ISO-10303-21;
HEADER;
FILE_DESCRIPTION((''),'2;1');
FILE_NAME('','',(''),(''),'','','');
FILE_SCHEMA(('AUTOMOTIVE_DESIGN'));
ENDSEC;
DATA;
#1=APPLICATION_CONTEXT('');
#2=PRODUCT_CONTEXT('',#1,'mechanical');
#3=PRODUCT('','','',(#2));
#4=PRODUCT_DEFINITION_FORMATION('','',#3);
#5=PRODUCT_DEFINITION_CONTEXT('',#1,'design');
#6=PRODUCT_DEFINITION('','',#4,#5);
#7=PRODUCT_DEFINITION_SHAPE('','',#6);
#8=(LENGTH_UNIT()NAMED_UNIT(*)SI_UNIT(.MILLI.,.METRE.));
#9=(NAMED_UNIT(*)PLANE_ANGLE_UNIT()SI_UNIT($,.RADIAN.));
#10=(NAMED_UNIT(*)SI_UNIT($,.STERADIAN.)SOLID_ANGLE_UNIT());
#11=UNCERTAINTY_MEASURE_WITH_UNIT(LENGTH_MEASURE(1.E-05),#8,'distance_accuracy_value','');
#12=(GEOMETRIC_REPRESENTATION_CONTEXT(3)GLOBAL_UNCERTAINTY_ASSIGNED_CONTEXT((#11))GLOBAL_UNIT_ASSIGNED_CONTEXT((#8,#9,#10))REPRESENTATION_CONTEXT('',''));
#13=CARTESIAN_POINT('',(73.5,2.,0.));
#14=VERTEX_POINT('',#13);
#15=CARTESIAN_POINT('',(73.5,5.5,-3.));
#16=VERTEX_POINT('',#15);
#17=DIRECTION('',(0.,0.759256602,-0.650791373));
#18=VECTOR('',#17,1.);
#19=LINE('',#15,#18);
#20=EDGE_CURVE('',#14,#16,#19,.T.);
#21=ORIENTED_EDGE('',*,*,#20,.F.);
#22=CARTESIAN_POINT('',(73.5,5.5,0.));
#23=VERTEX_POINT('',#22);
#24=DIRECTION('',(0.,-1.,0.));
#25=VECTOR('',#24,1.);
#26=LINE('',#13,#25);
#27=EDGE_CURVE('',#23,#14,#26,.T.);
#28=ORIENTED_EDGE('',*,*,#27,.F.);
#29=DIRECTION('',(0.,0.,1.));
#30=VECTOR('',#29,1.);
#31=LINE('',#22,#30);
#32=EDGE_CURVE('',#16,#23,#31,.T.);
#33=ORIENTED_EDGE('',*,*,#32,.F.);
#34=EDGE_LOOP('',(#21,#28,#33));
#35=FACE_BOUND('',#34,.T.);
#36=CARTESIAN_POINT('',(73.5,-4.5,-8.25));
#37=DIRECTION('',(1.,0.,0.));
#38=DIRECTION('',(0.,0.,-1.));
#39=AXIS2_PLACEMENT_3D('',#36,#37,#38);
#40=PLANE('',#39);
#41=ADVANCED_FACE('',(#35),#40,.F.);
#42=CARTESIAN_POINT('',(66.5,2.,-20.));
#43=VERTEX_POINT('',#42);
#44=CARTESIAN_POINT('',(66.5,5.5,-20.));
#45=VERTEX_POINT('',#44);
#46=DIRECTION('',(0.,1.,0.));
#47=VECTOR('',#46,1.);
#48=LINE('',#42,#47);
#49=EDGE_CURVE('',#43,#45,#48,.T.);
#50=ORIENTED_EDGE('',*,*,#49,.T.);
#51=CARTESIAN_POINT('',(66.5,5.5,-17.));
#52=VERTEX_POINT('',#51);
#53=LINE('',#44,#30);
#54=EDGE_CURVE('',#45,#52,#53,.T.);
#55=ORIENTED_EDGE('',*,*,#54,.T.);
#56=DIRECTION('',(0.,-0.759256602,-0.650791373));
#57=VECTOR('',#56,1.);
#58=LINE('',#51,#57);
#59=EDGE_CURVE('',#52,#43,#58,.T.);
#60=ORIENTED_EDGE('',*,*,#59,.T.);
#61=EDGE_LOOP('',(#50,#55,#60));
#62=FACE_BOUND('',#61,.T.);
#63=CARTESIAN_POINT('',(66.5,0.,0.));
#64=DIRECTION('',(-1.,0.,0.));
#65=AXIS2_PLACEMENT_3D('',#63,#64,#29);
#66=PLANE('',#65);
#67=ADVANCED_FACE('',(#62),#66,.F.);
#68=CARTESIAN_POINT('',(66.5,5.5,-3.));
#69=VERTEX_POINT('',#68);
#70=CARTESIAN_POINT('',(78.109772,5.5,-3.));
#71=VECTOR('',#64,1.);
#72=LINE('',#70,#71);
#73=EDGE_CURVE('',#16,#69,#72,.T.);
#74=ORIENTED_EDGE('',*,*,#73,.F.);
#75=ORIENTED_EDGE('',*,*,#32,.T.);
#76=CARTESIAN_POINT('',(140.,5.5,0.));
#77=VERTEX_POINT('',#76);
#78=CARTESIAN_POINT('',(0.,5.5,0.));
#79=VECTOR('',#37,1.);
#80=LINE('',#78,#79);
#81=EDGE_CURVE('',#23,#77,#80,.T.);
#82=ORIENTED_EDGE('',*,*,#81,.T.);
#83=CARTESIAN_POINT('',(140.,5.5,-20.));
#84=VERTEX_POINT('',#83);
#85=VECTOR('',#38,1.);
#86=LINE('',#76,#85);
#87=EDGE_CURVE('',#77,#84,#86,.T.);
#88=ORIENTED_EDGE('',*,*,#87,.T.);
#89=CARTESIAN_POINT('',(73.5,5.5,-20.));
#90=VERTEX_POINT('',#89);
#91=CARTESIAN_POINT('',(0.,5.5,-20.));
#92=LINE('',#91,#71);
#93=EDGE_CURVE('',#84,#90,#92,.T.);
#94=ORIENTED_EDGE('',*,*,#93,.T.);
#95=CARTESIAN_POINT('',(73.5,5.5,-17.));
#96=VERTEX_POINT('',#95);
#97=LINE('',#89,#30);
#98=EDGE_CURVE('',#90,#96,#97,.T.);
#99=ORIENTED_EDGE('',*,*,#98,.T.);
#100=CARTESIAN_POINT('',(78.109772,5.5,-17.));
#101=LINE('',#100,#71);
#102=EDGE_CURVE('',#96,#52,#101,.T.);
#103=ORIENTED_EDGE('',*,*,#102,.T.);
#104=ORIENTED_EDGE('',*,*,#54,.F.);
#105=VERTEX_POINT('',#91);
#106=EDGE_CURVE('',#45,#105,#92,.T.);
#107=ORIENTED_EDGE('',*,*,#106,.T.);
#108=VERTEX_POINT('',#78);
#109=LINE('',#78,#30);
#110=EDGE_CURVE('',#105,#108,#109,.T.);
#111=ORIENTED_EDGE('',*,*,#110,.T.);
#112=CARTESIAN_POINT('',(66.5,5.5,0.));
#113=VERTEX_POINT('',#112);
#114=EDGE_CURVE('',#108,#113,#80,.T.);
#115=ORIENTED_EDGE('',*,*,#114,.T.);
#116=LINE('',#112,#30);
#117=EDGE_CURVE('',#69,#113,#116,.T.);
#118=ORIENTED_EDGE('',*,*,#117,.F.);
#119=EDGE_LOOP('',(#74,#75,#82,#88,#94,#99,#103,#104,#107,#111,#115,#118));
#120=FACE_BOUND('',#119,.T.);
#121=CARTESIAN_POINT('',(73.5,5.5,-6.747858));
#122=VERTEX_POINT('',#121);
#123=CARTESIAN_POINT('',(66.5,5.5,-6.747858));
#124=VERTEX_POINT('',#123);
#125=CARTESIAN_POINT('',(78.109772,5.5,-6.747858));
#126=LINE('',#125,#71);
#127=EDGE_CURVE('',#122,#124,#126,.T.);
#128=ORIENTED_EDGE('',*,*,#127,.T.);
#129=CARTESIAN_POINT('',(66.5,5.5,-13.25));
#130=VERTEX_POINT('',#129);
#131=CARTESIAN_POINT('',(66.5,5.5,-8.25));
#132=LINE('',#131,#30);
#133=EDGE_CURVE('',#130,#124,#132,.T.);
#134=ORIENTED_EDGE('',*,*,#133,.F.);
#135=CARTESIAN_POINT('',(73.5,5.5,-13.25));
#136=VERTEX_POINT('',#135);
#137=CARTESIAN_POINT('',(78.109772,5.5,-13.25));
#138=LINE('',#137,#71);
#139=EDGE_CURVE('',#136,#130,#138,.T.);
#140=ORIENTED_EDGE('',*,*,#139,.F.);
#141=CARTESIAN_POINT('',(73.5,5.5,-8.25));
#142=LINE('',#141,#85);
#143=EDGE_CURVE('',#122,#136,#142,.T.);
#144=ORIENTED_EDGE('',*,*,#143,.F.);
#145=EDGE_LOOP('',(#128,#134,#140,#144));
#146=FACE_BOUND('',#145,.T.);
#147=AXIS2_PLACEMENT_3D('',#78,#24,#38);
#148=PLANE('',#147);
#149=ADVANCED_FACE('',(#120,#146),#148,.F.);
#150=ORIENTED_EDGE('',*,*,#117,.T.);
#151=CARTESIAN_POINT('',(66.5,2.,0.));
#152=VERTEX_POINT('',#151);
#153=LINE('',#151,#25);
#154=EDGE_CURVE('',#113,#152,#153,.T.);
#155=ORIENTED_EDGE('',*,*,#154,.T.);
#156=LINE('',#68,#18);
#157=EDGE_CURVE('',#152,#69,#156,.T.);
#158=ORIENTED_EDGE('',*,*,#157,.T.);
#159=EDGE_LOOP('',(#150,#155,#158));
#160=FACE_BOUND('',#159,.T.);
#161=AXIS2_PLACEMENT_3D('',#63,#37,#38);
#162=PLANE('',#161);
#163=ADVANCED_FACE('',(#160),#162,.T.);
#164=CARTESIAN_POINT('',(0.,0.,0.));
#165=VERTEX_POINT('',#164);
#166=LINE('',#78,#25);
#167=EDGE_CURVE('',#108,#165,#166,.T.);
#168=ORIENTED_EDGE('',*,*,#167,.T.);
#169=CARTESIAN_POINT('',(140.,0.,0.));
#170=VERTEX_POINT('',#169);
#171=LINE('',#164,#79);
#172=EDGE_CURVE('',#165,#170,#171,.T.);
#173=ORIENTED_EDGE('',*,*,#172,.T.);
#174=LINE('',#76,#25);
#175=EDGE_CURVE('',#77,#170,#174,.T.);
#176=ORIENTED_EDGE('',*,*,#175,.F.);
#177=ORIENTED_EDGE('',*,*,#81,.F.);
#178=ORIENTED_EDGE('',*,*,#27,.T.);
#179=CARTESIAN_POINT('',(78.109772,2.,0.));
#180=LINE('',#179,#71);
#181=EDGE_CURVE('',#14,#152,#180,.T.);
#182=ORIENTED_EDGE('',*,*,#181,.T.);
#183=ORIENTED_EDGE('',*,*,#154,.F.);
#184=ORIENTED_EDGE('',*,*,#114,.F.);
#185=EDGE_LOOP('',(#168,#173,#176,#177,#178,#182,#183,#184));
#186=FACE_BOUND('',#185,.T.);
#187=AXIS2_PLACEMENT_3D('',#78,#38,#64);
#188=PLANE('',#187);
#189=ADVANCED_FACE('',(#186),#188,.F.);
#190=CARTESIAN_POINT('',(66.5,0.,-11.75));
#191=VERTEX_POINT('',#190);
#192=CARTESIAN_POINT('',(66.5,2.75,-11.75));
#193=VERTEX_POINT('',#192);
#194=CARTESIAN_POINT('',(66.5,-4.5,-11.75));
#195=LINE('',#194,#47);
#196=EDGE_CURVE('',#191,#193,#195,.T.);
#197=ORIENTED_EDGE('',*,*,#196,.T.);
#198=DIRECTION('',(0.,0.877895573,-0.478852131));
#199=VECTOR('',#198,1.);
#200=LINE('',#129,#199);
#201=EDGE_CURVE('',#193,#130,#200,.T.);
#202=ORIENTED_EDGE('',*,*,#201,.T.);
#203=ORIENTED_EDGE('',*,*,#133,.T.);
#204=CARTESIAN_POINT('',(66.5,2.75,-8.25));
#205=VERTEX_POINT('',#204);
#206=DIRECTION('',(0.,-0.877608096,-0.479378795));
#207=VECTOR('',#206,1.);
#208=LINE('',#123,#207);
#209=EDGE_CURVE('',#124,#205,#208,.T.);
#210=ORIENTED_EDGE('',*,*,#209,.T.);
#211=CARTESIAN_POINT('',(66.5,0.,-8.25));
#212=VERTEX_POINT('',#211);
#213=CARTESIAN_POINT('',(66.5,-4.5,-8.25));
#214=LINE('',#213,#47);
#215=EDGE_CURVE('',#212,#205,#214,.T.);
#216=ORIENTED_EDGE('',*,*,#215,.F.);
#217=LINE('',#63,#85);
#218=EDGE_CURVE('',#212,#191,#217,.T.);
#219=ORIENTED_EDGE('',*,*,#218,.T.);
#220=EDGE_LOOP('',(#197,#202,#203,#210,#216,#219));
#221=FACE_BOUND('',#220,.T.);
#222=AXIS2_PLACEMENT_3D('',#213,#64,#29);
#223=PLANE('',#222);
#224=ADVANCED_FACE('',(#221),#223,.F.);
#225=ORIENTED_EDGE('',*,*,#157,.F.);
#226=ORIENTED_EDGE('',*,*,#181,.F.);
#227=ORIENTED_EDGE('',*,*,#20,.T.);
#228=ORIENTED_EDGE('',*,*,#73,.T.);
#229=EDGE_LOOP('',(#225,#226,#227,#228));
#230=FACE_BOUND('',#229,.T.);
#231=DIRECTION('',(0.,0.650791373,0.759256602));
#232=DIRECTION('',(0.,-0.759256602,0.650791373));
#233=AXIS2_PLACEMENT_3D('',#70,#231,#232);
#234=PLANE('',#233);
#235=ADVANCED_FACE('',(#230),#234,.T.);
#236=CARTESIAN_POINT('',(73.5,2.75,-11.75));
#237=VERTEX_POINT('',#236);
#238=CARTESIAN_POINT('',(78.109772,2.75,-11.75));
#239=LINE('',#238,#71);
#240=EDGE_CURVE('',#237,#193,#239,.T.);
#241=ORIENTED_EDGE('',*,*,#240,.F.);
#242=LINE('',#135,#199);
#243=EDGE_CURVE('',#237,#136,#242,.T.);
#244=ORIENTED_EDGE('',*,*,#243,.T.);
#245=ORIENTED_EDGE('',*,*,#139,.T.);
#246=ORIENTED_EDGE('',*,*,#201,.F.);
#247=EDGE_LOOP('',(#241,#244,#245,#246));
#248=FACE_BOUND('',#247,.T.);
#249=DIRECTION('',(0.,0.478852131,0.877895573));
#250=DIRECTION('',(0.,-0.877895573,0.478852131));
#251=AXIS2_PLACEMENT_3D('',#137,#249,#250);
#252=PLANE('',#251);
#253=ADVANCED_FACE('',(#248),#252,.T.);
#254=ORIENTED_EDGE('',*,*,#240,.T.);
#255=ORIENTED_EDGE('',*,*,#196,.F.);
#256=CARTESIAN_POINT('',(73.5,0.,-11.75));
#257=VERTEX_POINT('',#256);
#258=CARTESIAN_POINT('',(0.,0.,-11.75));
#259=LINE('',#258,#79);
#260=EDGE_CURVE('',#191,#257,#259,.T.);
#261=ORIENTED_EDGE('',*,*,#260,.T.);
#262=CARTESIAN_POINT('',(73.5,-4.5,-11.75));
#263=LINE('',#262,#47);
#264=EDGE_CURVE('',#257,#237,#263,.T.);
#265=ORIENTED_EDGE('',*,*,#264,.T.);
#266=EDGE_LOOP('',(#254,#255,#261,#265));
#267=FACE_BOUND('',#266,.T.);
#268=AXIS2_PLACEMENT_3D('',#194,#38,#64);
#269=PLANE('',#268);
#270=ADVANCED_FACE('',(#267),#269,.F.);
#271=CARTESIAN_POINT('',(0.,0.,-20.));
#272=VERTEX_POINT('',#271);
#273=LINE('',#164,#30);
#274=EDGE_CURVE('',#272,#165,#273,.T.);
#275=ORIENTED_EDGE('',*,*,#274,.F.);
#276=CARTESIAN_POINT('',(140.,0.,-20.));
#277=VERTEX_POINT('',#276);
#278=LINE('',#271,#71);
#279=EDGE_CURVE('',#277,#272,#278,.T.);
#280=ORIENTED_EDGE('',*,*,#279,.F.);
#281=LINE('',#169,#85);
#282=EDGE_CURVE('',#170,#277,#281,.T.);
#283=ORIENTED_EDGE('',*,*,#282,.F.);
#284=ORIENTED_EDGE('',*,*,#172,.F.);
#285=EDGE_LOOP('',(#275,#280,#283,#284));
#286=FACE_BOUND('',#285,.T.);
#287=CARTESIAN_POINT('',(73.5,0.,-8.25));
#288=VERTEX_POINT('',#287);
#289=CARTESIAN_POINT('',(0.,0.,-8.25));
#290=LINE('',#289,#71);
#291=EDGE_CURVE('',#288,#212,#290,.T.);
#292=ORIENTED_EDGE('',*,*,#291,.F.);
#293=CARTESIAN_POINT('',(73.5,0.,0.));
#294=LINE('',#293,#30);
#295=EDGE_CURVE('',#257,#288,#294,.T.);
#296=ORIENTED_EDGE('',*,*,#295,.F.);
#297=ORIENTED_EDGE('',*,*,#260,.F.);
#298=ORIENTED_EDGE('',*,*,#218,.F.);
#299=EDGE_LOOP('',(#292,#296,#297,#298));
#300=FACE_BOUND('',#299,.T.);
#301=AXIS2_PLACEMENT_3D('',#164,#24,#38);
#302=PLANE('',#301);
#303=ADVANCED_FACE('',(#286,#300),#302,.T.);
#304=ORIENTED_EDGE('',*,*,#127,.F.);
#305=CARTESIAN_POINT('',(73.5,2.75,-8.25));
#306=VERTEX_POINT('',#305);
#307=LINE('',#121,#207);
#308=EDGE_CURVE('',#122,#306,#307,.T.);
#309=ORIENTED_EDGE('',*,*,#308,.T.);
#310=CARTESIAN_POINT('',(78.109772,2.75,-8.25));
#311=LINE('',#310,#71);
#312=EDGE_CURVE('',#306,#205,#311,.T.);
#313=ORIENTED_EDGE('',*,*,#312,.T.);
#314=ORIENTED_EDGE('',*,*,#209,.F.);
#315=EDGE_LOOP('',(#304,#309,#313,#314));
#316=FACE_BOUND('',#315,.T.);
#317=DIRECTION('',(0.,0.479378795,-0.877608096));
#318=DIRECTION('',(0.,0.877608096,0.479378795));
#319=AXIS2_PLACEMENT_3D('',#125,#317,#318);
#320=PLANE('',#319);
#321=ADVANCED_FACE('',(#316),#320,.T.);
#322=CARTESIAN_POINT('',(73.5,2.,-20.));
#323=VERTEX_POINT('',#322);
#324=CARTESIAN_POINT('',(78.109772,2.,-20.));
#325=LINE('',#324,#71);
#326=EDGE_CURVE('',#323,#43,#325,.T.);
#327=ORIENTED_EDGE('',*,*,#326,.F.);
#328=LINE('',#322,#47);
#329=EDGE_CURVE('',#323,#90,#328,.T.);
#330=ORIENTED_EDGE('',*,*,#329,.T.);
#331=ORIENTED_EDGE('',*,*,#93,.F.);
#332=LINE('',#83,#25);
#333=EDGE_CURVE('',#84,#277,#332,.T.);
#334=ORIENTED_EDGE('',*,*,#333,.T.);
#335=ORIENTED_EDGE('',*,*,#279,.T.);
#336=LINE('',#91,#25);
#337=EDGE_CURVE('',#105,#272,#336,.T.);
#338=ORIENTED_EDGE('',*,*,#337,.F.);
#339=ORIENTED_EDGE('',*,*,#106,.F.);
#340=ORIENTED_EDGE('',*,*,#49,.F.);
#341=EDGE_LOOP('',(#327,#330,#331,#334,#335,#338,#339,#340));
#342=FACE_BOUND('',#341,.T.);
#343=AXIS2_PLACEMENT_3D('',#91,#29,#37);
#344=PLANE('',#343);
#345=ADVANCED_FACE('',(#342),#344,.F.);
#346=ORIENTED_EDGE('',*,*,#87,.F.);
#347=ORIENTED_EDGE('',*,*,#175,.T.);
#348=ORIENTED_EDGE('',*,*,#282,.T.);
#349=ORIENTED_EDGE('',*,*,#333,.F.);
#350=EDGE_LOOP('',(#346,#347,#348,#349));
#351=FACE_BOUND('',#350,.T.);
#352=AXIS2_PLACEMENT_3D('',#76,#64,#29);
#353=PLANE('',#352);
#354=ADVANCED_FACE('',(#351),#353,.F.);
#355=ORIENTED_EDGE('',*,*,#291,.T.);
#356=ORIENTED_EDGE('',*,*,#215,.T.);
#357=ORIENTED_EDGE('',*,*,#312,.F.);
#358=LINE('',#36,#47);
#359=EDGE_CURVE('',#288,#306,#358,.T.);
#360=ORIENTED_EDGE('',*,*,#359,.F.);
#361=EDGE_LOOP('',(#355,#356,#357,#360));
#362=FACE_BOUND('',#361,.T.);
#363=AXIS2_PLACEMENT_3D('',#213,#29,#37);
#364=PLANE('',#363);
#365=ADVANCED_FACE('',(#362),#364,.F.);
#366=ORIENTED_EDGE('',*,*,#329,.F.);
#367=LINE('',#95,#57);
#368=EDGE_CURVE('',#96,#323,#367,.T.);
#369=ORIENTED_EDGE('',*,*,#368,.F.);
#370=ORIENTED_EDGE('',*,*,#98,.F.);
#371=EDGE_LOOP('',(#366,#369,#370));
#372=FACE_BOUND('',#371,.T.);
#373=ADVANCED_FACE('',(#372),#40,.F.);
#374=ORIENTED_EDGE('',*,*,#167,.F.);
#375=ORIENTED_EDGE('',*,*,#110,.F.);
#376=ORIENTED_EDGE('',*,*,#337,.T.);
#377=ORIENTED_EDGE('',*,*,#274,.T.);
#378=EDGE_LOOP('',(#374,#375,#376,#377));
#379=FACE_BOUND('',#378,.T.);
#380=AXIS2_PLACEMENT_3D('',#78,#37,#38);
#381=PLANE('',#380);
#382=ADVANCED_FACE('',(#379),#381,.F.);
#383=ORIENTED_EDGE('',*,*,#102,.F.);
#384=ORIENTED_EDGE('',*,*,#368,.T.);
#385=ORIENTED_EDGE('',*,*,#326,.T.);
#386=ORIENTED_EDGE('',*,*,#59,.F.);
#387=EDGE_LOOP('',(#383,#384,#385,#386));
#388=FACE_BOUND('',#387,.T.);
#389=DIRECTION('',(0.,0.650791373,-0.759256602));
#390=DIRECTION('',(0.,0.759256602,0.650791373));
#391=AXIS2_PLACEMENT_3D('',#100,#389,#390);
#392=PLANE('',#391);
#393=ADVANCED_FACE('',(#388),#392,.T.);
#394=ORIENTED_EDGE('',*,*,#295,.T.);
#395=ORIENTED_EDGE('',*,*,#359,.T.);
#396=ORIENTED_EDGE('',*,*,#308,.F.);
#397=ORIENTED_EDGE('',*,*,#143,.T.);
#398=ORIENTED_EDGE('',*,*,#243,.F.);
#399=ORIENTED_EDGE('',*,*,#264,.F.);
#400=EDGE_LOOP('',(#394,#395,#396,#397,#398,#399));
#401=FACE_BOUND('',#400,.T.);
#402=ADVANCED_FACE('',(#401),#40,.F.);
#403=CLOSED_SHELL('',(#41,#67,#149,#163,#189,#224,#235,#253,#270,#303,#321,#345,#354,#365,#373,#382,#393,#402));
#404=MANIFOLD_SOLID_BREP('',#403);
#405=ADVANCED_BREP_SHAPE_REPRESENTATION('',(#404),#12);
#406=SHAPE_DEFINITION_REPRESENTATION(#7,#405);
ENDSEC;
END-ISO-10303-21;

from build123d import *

# Parameters (mm, degrees)
SKETCH1_W           = 140
SKETCH1_H           = 20
BOSS_EXTRUDE1_DEPTH = 5.5
SKETCH2_W           = 7
SKETCH2_H           = 3.5
CUT_EXTRUDE1_DEPTH  = 10
CUT_EXTRUDE2_DEPTH  = 7


with BuildPart() as part:
    # Sketch1 → Boss-Extrude1 (new body)
    with BuildSketch(Plane(origin=(0, 0, 0), x_dir=(1, 0, 0), z_dir=(0, 1, 0))):
        with Locations((70, 10)):
            Rectangle(SKETCH1_W, SKETCH1_H)
    extrude(amount=BOSS_EXTRUDE1_DEPTH)

    # Sketch2 → Cut-Extrude1 (cut)
    with BuildSketch(Plane(origin=(0, 5.5, 0), x_dir=(1, 0, 0), z_dir=(0, 1, 0))):
        with Locations((70, 10)):
            Rectangle(SKETCH2_W, SKETCH2_H)
    extrude(amount=-CUT_EXTRUDE1_DEPTH, mode=Mode.SUBTRACT)

    # Sketch3 → Cut-Extrude2 (cut)
    with BuildSketch(Plane(origin=(66.5, 0, 0), x_dir=(0, 0, -1), z_dir=(1, 0, 0))):
        Polygon((8.25, 5.5), (6.747858335, 5.5), (8.25, 2.75), align=None)
        Polygon((11.75, 5.5), (13.25, 5.5), (11.75, 2.75), align=None)
        Polygon((3, 5.5), (0, 2), (0, 5.5), align=None)
        Polygon((17, 5.5), (20, 2), (20, 5.5), align=None)
    extrude(amount=CUT_EXTRUDE2_DEPTH, mode=Mode.SUBTRACT)


solid = part.part
